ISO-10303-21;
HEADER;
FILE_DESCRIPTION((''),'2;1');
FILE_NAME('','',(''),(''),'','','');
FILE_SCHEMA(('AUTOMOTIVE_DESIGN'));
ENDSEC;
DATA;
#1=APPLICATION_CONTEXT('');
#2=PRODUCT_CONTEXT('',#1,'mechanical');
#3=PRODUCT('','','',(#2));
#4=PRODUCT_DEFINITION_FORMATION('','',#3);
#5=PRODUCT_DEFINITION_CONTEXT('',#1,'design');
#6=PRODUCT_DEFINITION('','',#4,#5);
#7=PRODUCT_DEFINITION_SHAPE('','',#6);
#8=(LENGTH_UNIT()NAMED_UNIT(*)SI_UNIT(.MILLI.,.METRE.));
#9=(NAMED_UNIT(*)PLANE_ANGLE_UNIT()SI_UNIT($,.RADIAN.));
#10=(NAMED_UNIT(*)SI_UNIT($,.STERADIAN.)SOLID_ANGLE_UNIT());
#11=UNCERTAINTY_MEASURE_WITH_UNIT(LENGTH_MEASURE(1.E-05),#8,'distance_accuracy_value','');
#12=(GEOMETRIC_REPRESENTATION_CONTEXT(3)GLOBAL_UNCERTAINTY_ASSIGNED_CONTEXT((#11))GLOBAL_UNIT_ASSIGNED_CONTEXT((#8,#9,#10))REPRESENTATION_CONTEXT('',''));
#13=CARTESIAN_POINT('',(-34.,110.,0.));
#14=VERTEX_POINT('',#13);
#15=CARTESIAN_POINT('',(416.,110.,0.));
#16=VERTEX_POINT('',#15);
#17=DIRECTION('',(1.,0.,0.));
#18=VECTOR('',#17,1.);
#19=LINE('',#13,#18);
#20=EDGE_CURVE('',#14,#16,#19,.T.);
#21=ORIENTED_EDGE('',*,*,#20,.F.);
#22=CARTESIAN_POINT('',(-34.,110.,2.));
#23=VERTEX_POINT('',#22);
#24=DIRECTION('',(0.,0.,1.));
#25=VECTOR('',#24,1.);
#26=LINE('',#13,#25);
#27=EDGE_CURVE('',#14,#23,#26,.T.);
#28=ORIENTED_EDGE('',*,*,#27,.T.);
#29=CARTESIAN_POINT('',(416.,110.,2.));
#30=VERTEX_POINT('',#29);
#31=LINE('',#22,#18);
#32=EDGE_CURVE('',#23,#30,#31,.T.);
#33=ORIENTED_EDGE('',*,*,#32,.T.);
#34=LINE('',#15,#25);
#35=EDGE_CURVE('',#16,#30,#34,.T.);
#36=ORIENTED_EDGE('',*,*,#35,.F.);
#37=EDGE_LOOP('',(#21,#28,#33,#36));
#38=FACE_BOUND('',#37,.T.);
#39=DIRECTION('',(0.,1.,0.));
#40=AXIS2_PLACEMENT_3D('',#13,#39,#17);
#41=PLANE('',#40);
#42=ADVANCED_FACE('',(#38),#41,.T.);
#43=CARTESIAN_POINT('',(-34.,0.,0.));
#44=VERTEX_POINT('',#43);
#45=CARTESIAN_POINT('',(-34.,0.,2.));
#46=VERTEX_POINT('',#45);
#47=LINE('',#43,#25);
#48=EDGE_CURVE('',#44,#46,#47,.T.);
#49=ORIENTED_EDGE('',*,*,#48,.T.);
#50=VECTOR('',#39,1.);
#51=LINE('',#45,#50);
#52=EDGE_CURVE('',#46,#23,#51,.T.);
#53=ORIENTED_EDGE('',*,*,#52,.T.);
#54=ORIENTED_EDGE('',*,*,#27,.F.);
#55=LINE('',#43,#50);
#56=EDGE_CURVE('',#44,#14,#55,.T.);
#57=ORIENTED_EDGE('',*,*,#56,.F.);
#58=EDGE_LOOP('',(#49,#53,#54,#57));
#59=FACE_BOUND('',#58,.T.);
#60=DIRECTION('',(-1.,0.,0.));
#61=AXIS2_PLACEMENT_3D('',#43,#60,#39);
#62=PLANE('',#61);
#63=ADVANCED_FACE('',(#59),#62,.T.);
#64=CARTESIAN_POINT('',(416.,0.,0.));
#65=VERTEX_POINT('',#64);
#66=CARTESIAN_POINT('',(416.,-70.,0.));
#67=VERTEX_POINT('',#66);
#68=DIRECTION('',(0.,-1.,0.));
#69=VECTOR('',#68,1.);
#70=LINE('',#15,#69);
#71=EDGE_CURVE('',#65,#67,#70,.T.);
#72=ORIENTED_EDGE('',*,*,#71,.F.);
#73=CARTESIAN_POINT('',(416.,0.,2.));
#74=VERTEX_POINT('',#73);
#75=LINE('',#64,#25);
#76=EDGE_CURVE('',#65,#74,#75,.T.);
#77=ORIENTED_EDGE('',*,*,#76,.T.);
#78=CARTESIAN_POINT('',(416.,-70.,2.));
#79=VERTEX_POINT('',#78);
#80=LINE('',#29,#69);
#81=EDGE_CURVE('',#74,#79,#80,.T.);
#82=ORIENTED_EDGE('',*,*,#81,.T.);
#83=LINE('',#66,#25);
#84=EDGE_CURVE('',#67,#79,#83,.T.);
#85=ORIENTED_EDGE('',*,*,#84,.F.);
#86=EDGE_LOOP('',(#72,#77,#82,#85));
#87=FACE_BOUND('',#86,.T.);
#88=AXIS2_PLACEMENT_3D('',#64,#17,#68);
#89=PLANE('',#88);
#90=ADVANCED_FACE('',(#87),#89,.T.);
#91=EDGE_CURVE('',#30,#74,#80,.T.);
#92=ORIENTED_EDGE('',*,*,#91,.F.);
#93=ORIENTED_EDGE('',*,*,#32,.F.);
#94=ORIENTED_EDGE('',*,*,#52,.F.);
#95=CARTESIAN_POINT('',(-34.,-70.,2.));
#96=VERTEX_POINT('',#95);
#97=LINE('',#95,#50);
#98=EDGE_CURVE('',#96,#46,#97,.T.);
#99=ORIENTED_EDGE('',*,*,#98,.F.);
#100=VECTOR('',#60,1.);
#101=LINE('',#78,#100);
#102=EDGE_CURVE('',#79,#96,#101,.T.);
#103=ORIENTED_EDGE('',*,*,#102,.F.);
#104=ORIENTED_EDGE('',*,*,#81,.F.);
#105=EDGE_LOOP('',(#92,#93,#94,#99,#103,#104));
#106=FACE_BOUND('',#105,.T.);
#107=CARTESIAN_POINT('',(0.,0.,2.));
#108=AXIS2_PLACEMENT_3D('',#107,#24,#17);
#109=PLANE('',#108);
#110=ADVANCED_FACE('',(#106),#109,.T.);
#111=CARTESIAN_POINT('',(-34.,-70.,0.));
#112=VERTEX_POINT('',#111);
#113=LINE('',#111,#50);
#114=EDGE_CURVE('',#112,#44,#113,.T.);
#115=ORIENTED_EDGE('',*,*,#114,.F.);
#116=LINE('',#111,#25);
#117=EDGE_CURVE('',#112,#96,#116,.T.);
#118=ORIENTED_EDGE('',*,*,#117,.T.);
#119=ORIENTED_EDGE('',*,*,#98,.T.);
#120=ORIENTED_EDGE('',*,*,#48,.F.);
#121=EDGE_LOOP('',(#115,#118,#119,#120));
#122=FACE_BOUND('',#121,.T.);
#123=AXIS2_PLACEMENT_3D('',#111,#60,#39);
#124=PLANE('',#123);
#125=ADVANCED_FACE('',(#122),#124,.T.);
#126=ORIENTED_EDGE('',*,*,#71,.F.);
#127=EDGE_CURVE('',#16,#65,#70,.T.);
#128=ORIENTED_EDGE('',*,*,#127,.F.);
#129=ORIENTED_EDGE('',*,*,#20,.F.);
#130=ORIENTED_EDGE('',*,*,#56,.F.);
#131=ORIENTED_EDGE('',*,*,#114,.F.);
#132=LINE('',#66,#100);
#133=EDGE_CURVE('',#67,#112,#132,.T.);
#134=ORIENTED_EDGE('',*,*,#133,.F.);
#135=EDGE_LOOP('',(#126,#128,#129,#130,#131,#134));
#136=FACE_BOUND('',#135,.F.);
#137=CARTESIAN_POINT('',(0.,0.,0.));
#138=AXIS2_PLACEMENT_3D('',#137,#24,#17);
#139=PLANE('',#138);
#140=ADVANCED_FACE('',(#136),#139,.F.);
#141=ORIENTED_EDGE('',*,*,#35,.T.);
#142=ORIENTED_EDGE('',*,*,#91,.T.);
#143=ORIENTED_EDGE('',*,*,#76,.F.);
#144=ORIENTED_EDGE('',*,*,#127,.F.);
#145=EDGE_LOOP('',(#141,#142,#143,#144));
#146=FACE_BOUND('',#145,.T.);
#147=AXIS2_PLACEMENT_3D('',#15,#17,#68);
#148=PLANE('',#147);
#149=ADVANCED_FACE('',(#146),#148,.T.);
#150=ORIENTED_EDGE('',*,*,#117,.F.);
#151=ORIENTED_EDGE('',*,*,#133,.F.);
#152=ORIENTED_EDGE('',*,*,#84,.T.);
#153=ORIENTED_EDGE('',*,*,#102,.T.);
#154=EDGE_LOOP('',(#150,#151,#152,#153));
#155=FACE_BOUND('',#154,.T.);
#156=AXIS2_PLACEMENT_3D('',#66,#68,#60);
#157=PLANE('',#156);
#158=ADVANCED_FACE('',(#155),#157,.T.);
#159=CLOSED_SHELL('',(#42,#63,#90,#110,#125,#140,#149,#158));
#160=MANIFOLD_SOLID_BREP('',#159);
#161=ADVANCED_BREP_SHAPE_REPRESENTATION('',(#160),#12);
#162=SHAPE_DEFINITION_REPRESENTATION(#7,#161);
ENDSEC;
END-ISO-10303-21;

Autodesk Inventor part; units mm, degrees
ref_plane "YZ Plane" through (0, 0, 0) normal (1, 0, 0) x (0, 1, 0)
ref_plane "XZ Plane" through (0, 0, 0) normal (0, 1, 0) x (-1, 0, 0)
ref_plane "XY Plane" through (0, 0, 0) normal (0, 0, 1) x (1, 0, 0)
sketch "Sketch1" plane through (0, 0, 0) normal (0, 0, 1) x (1, 0, 0)
  line L0 (-34, 0) -> (-34, 110) projected
  line L1 (416, 110) -> (416, 0) projected
  line L2 (886, 110) -> (886, 0) projected
  line L3 (-504, 0) -> (-504, 110) projected
  line L4 (-34, 110) -> (416, 110)
  line L5 (416, 110) -> (416, -70)
  line L6 (416, -70) -> (-34, -70)
  line L7 (-34, -70) -> (-34, 110)
  dimension "d0" = 180
extrude "Extrusion1" add sketch "Sketch1" along normal blind 2
properties part number "BackVerticalMount"
